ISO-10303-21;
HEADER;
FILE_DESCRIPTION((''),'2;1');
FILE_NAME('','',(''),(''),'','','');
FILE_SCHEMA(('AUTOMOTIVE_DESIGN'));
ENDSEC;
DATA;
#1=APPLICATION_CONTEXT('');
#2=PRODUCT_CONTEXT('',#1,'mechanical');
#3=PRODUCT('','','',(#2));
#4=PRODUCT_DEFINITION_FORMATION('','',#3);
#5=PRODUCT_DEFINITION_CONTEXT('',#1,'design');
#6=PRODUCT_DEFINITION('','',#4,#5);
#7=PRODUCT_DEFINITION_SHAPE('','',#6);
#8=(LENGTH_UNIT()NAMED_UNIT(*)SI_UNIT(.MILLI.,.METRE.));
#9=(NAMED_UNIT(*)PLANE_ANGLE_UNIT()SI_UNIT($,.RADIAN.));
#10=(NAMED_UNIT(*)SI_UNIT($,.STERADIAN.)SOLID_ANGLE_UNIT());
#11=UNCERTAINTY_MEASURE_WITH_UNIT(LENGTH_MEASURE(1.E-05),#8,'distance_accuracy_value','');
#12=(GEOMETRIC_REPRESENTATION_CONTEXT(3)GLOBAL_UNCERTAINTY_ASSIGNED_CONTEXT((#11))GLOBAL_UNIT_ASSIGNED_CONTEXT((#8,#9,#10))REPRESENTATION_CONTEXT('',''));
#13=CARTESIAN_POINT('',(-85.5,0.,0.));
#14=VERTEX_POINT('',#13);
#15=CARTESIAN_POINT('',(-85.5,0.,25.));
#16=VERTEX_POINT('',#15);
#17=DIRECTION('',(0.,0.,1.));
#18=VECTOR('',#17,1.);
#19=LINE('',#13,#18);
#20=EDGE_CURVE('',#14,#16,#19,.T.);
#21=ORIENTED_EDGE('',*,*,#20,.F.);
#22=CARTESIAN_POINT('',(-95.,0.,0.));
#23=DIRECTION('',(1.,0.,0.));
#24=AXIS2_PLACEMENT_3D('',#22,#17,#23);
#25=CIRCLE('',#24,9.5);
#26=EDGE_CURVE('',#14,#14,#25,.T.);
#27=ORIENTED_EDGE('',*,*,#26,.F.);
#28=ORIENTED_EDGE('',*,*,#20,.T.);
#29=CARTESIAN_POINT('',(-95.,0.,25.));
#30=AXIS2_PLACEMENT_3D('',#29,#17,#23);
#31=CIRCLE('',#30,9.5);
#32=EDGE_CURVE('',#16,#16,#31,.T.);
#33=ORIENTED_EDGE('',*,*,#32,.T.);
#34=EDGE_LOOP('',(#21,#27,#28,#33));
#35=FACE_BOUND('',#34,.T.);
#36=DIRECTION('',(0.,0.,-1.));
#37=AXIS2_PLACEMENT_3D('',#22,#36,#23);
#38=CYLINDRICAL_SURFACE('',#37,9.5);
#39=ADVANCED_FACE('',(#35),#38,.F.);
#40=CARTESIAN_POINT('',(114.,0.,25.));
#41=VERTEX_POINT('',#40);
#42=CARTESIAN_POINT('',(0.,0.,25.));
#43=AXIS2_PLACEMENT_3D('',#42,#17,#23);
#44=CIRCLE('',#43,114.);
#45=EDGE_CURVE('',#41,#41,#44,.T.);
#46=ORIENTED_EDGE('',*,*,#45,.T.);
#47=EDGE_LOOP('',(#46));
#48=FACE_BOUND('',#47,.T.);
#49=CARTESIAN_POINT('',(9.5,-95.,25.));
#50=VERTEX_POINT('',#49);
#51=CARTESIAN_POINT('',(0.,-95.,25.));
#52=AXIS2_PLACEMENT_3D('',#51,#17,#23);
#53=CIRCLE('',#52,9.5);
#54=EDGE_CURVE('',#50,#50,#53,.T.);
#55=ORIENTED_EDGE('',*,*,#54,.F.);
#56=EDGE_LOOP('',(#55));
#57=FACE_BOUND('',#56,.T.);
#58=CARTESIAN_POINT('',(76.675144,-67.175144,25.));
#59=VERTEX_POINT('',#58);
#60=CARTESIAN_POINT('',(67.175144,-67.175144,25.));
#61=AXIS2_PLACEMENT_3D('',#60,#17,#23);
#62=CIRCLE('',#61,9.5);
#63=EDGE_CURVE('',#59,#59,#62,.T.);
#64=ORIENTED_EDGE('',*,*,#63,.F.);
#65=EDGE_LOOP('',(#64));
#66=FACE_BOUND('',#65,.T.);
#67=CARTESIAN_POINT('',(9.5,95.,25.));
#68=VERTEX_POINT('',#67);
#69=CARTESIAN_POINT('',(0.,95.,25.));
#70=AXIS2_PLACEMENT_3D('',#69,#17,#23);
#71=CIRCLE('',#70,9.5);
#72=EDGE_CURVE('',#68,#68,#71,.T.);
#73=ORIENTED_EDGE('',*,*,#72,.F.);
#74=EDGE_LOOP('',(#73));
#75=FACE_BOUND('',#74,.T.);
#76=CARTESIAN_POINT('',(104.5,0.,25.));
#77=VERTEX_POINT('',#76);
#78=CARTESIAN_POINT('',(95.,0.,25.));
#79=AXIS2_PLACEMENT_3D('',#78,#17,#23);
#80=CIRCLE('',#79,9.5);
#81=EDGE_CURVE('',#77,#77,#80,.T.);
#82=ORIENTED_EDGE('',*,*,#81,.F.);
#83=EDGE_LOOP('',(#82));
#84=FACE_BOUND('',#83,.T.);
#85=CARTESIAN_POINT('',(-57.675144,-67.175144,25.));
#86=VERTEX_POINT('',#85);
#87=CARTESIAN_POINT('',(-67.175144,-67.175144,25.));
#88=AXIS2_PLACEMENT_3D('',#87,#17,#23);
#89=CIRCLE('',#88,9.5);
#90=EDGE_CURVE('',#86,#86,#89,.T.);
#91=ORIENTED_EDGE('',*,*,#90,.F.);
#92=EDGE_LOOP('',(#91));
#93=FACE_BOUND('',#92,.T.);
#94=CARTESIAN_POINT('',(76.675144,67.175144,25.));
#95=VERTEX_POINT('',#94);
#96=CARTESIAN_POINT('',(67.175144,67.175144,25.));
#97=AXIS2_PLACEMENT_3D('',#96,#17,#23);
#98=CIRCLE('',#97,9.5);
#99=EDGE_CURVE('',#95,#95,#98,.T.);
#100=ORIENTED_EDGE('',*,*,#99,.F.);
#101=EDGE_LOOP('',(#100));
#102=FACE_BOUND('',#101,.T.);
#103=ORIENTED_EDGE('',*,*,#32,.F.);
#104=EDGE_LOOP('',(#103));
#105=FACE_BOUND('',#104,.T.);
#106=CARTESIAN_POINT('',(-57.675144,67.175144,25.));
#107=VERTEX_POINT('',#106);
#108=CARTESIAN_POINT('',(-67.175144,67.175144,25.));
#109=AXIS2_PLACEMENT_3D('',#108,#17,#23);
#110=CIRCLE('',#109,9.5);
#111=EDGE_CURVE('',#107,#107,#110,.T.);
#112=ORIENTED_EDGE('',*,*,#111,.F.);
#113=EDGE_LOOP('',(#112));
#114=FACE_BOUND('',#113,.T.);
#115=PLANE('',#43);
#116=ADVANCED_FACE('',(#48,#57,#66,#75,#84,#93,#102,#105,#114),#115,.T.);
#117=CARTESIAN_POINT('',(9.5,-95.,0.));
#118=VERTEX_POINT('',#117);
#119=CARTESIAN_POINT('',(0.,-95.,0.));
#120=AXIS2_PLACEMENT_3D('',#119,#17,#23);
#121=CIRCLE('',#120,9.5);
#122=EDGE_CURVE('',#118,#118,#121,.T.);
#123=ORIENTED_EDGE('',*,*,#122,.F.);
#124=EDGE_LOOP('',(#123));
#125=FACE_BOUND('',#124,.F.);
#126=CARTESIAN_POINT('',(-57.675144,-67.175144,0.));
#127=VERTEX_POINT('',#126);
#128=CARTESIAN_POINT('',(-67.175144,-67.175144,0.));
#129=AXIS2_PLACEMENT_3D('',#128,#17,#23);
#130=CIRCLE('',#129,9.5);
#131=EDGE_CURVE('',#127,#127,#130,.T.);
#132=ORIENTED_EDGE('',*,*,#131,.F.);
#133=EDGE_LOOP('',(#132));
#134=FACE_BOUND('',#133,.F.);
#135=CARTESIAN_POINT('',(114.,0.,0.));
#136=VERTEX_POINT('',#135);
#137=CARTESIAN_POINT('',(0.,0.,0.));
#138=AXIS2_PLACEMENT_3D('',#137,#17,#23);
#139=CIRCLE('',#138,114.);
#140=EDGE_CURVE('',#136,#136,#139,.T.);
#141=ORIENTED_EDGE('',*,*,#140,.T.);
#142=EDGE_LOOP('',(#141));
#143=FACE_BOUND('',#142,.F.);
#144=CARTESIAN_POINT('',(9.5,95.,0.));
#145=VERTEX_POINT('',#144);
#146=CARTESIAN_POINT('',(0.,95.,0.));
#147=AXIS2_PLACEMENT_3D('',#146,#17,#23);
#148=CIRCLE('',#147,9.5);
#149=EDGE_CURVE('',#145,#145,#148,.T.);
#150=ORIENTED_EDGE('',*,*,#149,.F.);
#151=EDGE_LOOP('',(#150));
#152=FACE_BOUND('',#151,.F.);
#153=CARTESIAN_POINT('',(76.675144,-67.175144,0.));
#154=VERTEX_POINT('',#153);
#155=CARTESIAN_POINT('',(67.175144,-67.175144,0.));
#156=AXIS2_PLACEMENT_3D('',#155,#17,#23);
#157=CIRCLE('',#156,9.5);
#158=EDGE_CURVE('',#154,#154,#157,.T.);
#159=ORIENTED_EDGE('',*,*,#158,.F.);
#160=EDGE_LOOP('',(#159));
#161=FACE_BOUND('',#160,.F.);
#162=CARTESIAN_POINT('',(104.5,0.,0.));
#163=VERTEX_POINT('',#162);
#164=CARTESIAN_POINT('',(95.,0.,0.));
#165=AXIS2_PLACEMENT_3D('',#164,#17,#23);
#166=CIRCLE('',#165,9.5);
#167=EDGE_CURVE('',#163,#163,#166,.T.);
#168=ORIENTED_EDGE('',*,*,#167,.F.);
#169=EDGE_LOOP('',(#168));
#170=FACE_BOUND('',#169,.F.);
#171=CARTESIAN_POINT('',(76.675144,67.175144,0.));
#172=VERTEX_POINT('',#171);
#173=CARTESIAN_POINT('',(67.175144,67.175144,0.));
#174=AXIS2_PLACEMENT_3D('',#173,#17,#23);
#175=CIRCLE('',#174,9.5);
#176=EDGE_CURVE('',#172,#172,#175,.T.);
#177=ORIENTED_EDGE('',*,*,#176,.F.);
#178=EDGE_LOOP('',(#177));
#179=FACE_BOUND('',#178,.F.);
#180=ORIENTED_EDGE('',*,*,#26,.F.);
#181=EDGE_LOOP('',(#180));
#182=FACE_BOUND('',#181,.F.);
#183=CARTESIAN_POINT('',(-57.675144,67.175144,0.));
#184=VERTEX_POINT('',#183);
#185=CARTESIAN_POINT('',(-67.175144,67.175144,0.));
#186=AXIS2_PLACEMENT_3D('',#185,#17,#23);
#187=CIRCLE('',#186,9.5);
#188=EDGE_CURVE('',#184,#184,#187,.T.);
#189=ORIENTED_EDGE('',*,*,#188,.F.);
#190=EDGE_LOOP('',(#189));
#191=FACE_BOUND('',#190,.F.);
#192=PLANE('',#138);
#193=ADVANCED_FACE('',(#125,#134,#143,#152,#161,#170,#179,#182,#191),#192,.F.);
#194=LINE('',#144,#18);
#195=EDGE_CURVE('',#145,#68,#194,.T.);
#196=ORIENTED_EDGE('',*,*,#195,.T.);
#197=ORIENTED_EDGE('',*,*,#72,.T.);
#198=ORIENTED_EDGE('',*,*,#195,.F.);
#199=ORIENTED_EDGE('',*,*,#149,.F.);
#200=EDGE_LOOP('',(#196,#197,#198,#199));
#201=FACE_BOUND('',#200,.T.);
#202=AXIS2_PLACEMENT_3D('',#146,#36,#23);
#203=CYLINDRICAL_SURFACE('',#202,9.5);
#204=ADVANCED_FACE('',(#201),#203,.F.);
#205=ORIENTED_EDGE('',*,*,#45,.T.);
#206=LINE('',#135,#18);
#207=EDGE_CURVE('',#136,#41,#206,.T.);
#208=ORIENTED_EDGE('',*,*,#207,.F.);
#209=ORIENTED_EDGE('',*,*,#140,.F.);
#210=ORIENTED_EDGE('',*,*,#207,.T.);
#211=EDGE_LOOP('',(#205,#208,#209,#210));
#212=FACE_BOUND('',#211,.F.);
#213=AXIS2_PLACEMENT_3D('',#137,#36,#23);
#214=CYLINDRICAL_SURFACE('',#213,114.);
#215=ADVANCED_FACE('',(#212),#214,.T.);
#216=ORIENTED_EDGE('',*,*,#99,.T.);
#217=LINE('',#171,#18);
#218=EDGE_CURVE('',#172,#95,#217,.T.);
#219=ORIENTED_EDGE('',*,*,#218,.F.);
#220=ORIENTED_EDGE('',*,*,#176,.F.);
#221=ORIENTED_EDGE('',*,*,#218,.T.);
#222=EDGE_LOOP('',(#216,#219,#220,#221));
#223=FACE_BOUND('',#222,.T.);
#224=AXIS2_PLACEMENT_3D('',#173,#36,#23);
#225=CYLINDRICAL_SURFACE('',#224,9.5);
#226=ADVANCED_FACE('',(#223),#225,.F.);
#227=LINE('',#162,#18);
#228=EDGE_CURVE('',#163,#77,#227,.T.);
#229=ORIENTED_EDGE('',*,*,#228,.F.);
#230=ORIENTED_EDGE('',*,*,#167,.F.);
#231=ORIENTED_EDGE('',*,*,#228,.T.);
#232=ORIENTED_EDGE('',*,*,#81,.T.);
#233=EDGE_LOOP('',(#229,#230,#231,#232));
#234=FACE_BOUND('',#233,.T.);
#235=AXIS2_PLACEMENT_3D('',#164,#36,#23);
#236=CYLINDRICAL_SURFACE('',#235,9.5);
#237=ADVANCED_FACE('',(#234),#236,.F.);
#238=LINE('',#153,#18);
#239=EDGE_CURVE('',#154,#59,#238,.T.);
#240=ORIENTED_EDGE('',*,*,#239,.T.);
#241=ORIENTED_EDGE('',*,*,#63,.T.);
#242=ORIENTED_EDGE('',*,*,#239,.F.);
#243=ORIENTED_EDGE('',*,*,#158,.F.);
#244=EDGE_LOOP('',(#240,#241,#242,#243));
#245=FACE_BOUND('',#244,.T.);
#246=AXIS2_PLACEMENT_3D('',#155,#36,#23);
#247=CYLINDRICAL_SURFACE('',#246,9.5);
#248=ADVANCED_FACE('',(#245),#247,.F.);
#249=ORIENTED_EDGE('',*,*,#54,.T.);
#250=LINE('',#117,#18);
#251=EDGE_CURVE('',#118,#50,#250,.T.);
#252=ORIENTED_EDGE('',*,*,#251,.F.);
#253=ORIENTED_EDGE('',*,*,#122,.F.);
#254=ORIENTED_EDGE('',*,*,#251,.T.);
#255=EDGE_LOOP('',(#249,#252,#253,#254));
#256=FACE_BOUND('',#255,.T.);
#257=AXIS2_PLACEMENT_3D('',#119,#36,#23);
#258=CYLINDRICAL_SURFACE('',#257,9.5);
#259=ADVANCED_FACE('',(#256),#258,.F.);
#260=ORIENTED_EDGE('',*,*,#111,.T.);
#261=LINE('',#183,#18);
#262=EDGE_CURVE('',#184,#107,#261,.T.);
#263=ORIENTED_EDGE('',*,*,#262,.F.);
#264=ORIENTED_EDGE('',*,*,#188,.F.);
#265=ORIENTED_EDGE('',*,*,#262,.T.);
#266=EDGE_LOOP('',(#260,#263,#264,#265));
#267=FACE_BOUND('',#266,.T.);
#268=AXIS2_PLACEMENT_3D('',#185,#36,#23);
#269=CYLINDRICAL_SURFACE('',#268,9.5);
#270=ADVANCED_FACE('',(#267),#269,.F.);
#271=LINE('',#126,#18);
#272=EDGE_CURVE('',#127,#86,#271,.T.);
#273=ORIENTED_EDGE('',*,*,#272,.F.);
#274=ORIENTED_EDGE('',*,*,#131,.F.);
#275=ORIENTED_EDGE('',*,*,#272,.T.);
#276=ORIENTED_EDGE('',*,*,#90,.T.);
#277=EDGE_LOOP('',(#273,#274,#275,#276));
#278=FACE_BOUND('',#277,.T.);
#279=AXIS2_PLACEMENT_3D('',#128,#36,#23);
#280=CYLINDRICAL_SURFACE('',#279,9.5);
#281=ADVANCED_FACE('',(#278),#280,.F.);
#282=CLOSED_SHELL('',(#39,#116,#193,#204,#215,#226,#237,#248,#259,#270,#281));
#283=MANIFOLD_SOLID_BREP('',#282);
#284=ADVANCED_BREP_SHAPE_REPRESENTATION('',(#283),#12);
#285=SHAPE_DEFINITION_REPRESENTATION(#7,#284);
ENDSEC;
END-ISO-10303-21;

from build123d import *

# Parameters (mm, degrees)
F0_R     = 114
F0_R_2   = 9.5
F1_DEPTH = 25


with BuildPart() as f1:
    # F0 (on Top) → F1 (new body)
    with BuildSketch(Plane.XY):
        Circle(F0_R)
        with Locations((-67.175144, -67.175144)):
            Circle(F0_R_2, mode=Mode.SUBTRACT)
        with Locations((0, -95)):
            Circle(F0_R_2, mode=Mode.SUBTRACT)
        with Locations((67.175144, -67.175144)):
            Circle(F0_R_2, mode=Mode.SUBTRACT)
        with Locations((-95, 0)):
            Circle(F0_R_2, mode=Mode.SUBTRACT)
        with Locations((-67.175144, 67.175144)):
            Circle(F0_R_2, mode=Mode.SUBTRACT)
        with Locations((95, 0)):
            Circle(F0_R_2, mode=Mode.SUBTRACT)
        with Locations((0, 95)):
            Circle(F0_R_2, mode=Mode.SUBTRACT)
        with Locations((67.175144, 67.175144)):
            Circle(F0_R_2, mode=Mode.SUBTRACT)
    extrude(amount=F1_DEPTH)


solid = f1.part
